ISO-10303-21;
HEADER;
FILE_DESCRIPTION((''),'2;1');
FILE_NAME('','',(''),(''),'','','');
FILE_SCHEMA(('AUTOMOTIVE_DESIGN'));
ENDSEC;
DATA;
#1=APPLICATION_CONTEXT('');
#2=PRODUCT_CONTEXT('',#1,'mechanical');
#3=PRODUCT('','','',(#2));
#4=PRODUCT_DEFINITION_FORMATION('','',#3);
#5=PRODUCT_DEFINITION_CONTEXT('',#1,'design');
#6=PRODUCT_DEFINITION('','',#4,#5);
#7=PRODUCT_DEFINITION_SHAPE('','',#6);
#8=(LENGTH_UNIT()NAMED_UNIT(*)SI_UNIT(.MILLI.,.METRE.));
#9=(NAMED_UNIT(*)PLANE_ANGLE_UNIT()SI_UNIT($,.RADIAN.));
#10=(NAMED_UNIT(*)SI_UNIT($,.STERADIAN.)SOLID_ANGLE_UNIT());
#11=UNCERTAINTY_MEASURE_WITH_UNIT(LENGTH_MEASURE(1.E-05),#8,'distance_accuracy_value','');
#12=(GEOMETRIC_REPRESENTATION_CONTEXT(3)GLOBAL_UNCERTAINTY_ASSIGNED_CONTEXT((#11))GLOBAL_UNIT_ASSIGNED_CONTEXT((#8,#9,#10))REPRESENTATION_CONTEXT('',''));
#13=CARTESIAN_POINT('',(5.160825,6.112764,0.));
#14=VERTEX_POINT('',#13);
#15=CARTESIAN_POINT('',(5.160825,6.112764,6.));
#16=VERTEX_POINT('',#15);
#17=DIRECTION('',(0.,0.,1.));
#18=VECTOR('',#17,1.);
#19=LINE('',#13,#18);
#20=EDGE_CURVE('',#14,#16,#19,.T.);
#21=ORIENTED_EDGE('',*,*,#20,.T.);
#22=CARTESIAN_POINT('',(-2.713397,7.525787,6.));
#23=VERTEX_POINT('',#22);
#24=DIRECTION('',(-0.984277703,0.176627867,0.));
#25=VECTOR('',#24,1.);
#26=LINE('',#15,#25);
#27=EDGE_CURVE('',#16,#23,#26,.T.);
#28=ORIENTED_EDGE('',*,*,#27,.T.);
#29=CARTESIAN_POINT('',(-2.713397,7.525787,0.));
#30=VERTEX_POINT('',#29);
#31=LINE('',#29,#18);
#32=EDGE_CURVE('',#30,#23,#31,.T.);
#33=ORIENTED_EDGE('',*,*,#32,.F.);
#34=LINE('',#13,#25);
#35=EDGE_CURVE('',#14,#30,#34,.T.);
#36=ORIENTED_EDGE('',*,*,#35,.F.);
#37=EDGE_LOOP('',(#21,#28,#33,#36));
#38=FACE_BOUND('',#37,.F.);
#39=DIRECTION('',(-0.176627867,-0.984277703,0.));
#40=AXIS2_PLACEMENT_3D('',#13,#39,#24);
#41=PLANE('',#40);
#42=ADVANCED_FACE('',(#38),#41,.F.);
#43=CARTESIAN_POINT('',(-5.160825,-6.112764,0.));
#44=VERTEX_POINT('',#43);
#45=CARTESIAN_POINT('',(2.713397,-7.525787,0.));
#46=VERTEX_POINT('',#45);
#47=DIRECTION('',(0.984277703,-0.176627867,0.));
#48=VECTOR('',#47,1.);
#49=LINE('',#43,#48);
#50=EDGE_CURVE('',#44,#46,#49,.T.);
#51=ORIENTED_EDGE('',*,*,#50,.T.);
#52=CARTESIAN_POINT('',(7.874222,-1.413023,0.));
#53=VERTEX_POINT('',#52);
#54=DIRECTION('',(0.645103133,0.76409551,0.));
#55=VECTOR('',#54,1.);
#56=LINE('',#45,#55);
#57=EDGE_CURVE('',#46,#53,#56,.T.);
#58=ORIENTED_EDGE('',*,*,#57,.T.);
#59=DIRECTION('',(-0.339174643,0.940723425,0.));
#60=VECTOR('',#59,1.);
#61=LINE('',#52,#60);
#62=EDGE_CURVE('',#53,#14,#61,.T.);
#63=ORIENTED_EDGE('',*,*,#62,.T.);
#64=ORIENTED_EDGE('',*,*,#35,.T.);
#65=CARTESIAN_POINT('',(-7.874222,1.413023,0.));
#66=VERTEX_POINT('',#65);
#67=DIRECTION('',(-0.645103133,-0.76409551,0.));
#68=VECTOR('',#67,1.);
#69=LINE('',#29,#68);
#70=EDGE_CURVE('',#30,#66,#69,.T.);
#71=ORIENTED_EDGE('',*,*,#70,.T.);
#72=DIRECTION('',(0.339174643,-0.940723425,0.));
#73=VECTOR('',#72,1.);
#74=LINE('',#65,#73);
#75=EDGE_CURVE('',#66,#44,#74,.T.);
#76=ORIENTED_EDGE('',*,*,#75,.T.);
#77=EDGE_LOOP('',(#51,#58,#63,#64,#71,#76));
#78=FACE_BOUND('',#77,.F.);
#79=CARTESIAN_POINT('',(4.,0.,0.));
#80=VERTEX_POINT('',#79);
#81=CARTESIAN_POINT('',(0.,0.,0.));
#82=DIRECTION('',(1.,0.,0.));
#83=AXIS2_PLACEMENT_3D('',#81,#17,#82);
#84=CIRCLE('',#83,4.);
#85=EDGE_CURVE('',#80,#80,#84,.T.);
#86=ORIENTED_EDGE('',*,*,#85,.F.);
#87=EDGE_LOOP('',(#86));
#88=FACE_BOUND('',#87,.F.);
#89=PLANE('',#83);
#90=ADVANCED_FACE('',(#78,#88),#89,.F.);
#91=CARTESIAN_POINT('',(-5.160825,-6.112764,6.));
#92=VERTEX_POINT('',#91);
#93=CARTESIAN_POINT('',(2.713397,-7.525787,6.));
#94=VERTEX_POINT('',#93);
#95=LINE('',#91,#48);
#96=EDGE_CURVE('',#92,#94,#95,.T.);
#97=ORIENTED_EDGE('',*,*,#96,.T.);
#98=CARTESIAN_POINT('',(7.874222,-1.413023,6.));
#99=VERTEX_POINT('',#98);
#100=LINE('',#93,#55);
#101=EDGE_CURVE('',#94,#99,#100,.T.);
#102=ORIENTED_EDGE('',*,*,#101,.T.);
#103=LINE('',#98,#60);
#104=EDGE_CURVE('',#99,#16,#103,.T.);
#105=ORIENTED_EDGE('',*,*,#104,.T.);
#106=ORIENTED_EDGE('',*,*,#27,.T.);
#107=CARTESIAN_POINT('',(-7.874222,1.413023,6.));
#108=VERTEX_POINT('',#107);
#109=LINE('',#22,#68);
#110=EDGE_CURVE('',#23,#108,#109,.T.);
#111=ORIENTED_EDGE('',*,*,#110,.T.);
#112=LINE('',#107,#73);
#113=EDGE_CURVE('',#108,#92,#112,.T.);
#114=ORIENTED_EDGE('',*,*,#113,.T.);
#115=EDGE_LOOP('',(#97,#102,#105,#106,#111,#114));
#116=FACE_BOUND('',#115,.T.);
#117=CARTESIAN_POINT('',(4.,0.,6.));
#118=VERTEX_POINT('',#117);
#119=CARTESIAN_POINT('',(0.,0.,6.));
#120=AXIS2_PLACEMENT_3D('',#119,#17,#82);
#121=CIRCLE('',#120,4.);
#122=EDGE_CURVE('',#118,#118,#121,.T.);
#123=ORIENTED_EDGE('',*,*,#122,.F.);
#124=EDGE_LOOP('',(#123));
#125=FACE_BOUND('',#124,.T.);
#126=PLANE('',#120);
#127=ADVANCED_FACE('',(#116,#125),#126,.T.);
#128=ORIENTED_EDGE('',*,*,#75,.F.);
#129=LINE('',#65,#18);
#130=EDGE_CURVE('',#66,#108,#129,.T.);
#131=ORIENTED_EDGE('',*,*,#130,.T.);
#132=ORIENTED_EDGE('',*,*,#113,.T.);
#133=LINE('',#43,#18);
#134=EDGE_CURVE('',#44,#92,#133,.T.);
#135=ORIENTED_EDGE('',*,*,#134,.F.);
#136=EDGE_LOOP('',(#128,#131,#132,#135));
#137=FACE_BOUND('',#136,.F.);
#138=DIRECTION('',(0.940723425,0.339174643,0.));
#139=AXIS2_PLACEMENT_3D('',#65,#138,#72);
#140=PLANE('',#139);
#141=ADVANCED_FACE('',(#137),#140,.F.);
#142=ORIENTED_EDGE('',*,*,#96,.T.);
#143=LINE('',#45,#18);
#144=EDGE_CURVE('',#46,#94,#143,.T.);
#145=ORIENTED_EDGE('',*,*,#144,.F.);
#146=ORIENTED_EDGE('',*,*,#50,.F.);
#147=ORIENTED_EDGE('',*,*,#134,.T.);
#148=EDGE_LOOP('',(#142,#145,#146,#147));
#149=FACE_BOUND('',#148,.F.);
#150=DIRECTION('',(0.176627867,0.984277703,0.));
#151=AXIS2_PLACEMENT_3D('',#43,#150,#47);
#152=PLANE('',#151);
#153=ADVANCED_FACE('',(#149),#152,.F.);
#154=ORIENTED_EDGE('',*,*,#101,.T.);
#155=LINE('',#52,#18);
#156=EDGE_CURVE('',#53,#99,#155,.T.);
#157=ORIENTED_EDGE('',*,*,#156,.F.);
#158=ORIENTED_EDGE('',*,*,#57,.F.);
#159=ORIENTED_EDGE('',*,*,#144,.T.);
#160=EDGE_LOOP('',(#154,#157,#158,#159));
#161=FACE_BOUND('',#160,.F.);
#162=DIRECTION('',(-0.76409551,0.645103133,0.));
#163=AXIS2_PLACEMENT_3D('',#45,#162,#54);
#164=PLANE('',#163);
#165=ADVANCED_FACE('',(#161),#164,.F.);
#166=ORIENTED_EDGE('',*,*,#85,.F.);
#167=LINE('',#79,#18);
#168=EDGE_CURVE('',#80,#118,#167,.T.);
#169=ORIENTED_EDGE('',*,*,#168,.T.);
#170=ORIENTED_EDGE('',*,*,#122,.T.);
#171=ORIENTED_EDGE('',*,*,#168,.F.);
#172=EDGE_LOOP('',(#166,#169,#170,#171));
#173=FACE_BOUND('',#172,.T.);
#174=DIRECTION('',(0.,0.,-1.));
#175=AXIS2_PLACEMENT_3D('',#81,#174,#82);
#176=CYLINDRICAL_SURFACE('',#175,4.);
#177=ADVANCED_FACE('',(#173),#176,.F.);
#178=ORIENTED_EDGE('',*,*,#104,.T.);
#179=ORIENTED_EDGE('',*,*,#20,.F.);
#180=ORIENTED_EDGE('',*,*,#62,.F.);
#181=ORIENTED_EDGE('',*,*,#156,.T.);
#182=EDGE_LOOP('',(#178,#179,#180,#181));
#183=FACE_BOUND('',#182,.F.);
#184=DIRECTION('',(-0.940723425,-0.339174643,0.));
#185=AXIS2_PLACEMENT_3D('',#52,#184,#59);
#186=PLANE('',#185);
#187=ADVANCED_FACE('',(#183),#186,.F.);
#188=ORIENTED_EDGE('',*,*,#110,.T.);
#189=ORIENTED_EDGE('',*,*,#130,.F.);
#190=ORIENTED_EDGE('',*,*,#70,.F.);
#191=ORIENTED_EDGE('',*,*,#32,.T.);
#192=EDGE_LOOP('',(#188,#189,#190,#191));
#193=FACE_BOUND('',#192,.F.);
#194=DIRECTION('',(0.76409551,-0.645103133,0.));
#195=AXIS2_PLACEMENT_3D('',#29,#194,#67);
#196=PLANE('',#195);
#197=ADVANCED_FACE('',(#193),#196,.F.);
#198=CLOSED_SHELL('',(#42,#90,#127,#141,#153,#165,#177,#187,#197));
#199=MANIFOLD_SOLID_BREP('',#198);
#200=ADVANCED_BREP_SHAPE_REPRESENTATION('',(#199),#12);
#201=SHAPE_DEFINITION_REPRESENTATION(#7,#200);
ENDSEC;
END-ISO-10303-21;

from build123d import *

# Parameters (mm, degrees)
SKETCH_R  = 4
PAD_DEPTH = 6


with BuildPart() as part:
    # Sketch → Pad (new body)
    with BuildSketch(Plane.XY):
        Polygon((5.160825, 6.112764), (-2.713397, 7.525787), (-7.874222, 1.413023), (-5.160825, -6.112764), (2.713397, -7.525787), (7.874222, -1.413023), align=None)
        Circle(SKETCH_R, mode=Mode.SUBTRACT)
    extrude(amount=PAD_DEPTH)


solid = part.part
